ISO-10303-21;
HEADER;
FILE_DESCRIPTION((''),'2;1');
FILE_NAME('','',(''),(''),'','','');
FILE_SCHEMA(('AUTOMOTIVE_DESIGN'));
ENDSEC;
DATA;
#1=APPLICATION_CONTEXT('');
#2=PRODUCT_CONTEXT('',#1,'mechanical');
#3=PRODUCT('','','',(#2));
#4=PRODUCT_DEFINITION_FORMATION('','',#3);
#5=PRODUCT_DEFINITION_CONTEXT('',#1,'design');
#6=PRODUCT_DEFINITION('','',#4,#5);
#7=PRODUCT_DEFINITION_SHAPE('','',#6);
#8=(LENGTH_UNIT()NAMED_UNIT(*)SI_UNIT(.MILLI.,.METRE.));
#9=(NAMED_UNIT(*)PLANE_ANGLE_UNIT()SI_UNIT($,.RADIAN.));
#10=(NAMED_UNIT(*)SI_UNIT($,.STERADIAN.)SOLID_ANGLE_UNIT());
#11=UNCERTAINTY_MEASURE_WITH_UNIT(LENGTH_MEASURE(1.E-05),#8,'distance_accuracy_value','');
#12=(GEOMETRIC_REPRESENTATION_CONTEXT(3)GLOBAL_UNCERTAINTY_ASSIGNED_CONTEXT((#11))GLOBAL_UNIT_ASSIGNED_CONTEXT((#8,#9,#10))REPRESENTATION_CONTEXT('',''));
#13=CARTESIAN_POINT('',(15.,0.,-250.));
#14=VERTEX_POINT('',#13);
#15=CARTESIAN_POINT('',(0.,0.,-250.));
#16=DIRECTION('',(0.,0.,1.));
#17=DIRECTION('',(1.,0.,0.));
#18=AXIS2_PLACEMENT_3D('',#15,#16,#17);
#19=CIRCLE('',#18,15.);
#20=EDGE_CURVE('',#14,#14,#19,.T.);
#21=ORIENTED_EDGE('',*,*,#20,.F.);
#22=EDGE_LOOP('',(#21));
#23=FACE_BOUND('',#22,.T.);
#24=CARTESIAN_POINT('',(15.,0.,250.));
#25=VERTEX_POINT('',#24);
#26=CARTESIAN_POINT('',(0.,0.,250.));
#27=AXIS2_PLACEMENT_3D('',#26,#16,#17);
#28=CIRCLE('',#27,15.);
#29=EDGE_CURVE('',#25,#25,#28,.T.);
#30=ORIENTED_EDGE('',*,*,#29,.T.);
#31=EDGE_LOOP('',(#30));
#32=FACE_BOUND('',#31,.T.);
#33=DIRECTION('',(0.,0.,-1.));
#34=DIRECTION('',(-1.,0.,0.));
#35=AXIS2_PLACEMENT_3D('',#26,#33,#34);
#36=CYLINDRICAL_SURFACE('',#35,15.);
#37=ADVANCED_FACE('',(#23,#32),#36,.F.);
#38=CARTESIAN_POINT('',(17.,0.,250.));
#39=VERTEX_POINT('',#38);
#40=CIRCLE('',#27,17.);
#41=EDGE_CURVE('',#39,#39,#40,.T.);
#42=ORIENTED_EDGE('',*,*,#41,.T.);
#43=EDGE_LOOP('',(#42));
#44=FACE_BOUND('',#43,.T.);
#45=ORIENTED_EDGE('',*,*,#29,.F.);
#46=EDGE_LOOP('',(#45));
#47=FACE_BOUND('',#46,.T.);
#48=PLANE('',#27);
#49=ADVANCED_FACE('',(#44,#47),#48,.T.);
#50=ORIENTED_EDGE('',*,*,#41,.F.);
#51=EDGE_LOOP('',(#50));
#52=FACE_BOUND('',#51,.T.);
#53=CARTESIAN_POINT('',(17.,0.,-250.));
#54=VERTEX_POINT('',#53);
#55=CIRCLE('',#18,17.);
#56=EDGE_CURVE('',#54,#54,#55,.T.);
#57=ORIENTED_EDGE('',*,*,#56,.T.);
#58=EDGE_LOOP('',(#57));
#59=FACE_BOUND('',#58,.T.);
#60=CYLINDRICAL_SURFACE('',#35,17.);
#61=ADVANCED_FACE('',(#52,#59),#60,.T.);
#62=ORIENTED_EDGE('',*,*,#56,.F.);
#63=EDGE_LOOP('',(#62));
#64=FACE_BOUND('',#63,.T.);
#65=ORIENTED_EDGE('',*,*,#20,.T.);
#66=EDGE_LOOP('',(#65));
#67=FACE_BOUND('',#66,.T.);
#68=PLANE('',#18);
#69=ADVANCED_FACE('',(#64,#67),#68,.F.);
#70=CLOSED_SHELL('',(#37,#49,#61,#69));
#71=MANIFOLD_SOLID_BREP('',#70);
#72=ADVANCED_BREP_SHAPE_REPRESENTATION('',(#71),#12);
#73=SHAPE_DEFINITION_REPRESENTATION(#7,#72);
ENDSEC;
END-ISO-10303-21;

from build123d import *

# Parameters (mm, degrees)
SKETCH1_R           = 17
SKETCH1_R_2         = 15
BOSS_EXTRUDE1_DEPTH = 250


with BuildPart() as part:
    # Sketch1 → Boss-Extrude1 (new, symmetric)
    with BuildSketch(Plane.XY):
        Circle(SKETCH1_R)
        Circle(SKETCH1_R_2, mode=Mode.SUBTRACT)
    extrude(amount=BOSS_EXTRUDE1_DEPTH, both=True)


solid = part.part
